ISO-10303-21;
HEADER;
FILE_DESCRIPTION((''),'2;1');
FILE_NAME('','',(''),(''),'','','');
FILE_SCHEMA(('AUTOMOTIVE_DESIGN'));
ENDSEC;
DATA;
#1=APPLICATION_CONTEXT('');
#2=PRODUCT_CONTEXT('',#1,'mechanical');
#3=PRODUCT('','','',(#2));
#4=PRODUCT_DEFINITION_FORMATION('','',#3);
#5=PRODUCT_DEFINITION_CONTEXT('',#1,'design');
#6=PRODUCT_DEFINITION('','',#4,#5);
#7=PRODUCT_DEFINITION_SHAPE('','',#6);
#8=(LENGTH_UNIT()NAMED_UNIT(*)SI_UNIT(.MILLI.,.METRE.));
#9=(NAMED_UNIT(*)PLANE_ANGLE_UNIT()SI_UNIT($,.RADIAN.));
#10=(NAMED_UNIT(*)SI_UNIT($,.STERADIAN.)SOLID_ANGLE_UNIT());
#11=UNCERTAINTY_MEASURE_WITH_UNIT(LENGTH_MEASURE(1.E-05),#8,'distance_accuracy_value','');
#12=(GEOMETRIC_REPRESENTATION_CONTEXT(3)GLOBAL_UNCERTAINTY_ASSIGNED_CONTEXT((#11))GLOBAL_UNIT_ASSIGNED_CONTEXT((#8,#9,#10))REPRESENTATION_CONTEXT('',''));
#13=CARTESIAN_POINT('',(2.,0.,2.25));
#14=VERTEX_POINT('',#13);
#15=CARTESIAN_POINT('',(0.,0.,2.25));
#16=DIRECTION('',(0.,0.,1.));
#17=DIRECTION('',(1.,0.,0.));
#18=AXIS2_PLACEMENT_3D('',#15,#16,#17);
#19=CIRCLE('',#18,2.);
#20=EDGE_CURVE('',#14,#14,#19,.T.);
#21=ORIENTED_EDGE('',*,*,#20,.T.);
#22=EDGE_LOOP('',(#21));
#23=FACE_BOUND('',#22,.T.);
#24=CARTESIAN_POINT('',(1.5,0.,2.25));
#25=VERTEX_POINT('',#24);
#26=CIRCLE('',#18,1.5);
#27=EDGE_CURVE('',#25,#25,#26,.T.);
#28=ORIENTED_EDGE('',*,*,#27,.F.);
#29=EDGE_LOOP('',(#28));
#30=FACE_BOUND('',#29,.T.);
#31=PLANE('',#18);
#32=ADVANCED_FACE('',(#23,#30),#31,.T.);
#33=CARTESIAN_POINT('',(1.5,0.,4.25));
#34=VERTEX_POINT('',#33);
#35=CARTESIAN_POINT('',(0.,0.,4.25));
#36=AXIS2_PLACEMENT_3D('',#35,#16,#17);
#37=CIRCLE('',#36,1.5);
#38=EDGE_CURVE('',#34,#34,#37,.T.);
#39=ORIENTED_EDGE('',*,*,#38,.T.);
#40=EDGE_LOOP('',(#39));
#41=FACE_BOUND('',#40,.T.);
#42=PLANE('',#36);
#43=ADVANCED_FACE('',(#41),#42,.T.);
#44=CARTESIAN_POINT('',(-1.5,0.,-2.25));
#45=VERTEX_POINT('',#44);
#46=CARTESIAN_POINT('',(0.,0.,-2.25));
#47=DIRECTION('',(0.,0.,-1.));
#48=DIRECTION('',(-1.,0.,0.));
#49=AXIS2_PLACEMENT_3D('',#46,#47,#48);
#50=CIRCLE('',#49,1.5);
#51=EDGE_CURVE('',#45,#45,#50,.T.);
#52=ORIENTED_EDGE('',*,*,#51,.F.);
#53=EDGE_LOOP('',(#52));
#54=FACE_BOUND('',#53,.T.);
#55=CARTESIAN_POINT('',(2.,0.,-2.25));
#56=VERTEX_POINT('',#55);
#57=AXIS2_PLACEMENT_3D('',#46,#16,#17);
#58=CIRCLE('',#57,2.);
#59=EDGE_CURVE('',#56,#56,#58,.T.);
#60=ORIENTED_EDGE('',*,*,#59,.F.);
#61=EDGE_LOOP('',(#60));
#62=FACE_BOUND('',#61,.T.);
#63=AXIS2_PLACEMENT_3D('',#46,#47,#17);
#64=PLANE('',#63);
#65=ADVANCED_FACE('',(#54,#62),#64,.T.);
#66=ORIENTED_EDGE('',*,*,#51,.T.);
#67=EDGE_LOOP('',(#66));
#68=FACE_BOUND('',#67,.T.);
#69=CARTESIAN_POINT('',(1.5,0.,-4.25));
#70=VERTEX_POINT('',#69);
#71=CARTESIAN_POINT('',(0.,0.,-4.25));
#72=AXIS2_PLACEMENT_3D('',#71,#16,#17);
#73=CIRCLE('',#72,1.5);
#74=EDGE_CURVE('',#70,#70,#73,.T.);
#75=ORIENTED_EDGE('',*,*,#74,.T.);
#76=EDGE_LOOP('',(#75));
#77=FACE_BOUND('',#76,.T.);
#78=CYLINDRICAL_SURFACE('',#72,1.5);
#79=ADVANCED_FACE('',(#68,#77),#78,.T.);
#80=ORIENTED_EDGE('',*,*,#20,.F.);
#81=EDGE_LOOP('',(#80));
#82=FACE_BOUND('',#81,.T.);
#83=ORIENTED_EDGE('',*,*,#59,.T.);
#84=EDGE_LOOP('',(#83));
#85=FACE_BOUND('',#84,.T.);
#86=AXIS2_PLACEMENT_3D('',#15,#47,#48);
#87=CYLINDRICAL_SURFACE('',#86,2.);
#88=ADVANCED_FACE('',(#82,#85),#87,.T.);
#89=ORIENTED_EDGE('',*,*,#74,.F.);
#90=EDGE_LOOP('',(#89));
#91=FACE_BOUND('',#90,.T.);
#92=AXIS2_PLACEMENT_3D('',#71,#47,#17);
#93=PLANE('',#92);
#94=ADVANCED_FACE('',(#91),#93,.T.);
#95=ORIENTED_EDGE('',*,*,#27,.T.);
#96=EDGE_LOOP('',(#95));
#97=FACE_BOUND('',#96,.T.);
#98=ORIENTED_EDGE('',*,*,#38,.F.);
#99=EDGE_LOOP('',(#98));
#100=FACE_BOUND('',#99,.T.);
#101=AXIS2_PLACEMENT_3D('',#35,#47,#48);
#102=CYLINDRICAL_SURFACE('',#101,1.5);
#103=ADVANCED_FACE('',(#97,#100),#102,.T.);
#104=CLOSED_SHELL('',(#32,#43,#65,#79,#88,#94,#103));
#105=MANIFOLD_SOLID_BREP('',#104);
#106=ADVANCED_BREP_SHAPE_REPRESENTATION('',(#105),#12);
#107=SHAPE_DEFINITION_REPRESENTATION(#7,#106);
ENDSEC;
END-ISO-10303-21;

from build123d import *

# Parameters (mm, degrees)
ESQUISSE2_R        = 2
BOSS_EXTRU_1_DEPTH = 2.25
ESQUISSE3_R        = 1.5
BOSS_EXTRU_2_DEPTH = 2


with BuildPart() as part:
    # Esquisse2 → Boss.-Extru.1 (new body)
    with BuildSketch(Plane.XY):
        Circle(ESQUISSE2_R)
    boss_extru_1 = extrude(amount=BOSS_EXTRU_1_DEPTH)

    # Esquisse3 → Boss.-Extru.2 (add)
    with BuildSketch(Plane.XY.offset(2.25)):
        Circle(ESQUISSE3_R)
    boss_extru_2 = extrude(amount=BOSS_EXTRU_2_DEPTH)

    # Symétrie1: Boss.-Extru.1, Boss.-Extru.2 across plane
    add(boss_extru_1.mirror(Plane.XY))
    add(boss_extru_2.mirror(Plane.XY))


solid = part.part
